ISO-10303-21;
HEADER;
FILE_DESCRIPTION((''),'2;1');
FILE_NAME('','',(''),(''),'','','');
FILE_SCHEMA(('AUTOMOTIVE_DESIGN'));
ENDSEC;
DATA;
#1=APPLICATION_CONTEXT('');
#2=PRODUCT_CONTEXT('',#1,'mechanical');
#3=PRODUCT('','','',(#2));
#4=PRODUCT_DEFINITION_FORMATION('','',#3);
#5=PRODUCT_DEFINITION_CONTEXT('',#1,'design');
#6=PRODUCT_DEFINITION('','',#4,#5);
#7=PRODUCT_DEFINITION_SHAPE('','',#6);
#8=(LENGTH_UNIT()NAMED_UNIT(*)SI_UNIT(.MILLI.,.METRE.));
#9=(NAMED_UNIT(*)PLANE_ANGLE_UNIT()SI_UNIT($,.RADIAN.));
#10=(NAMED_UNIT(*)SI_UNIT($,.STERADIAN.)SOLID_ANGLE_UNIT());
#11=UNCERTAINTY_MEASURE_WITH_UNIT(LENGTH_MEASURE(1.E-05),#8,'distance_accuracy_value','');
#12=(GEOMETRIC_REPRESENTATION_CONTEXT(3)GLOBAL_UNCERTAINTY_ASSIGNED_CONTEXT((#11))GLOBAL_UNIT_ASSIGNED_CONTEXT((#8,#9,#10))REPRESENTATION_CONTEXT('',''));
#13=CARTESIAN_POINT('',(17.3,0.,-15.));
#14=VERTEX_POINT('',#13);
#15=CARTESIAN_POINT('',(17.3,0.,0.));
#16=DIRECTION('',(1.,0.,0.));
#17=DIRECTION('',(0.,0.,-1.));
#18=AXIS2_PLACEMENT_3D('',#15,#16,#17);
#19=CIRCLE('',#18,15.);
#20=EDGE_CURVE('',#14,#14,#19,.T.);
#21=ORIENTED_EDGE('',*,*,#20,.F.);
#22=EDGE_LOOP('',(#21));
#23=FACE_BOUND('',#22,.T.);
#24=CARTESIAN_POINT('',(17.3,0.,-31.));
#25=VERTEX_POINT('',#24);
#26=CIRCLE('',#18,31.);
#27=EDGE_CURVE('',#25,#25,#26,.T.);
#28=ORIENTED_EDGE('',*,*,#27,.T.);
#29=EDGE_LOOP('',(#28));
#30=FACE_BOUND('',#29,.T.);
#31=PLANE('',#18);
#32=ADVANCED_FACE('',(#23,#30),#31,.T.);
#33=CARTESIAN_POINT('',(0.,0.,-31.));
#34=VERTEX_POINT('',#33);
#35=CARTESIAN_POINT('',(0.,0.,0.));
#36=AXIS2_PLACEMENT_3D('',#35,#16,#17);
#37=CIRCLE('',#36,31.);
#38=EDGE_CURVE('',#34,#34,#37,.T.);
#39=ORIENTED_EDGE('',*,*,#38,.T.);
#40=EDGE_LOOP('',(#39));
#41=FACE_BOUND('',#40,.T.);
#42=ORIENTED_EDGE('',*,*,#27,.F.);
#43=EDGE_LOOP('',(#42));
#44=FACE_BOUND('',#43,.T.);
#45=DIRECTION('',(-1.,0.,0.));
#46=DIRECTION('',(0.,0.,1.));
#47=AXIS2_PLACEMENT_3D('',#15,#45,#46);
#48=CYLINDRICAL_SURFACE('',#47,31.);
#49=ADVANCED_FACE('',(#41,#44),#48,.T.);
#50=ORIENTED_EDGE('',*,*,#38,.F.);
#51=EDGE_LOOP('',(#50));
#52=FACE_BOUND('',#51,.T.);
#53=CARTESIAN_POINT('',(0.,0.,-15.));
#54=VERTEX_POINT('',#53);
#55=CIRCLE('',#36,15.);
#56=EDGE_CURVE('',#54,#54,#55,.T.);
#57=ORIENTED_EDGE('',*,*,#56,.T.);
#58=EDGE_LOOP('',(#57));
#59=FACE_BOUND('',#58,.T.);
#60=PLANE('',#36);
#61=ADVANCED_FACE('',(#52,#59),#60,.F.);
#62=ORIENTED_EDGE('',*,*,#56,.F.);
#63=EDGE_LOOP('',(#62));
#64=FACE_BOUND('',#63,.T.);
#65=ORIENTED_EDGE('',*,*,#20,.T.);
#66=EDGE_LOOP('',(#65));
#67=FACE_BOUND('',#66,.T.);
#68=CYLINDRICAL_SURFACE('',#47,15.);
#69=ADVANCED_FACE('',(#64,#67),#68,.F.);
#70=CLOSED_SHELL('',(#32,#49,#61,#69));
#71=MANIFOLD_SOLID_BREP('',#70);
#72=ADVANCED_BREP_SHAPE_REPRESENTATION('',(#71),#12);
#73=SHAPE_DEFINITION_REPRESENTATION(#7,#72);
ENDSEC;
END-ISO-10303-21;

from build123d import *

# Parameters (mm, degrees)
SKETCH_1_R      = 31
SKETCH_1_R_2    = 15
EXTRUDE_1_DEPTH = 17.3


with BuildPart() as part:
    # 草图1 → 凸台-拉伸1 (new body)
    with BuildSketch(Plane(origin=(0, 0, 0), x_dir=(0, 0, -1), z_dir=(1, 0, 0))):
        Circle(SKETCH_1_R)
        Circle(SKETCH_1_R_2, mode=Mode.SUBTRACT)
    extrude(amount=EXTRUDE_1_DEPTH)


solid = part.part
